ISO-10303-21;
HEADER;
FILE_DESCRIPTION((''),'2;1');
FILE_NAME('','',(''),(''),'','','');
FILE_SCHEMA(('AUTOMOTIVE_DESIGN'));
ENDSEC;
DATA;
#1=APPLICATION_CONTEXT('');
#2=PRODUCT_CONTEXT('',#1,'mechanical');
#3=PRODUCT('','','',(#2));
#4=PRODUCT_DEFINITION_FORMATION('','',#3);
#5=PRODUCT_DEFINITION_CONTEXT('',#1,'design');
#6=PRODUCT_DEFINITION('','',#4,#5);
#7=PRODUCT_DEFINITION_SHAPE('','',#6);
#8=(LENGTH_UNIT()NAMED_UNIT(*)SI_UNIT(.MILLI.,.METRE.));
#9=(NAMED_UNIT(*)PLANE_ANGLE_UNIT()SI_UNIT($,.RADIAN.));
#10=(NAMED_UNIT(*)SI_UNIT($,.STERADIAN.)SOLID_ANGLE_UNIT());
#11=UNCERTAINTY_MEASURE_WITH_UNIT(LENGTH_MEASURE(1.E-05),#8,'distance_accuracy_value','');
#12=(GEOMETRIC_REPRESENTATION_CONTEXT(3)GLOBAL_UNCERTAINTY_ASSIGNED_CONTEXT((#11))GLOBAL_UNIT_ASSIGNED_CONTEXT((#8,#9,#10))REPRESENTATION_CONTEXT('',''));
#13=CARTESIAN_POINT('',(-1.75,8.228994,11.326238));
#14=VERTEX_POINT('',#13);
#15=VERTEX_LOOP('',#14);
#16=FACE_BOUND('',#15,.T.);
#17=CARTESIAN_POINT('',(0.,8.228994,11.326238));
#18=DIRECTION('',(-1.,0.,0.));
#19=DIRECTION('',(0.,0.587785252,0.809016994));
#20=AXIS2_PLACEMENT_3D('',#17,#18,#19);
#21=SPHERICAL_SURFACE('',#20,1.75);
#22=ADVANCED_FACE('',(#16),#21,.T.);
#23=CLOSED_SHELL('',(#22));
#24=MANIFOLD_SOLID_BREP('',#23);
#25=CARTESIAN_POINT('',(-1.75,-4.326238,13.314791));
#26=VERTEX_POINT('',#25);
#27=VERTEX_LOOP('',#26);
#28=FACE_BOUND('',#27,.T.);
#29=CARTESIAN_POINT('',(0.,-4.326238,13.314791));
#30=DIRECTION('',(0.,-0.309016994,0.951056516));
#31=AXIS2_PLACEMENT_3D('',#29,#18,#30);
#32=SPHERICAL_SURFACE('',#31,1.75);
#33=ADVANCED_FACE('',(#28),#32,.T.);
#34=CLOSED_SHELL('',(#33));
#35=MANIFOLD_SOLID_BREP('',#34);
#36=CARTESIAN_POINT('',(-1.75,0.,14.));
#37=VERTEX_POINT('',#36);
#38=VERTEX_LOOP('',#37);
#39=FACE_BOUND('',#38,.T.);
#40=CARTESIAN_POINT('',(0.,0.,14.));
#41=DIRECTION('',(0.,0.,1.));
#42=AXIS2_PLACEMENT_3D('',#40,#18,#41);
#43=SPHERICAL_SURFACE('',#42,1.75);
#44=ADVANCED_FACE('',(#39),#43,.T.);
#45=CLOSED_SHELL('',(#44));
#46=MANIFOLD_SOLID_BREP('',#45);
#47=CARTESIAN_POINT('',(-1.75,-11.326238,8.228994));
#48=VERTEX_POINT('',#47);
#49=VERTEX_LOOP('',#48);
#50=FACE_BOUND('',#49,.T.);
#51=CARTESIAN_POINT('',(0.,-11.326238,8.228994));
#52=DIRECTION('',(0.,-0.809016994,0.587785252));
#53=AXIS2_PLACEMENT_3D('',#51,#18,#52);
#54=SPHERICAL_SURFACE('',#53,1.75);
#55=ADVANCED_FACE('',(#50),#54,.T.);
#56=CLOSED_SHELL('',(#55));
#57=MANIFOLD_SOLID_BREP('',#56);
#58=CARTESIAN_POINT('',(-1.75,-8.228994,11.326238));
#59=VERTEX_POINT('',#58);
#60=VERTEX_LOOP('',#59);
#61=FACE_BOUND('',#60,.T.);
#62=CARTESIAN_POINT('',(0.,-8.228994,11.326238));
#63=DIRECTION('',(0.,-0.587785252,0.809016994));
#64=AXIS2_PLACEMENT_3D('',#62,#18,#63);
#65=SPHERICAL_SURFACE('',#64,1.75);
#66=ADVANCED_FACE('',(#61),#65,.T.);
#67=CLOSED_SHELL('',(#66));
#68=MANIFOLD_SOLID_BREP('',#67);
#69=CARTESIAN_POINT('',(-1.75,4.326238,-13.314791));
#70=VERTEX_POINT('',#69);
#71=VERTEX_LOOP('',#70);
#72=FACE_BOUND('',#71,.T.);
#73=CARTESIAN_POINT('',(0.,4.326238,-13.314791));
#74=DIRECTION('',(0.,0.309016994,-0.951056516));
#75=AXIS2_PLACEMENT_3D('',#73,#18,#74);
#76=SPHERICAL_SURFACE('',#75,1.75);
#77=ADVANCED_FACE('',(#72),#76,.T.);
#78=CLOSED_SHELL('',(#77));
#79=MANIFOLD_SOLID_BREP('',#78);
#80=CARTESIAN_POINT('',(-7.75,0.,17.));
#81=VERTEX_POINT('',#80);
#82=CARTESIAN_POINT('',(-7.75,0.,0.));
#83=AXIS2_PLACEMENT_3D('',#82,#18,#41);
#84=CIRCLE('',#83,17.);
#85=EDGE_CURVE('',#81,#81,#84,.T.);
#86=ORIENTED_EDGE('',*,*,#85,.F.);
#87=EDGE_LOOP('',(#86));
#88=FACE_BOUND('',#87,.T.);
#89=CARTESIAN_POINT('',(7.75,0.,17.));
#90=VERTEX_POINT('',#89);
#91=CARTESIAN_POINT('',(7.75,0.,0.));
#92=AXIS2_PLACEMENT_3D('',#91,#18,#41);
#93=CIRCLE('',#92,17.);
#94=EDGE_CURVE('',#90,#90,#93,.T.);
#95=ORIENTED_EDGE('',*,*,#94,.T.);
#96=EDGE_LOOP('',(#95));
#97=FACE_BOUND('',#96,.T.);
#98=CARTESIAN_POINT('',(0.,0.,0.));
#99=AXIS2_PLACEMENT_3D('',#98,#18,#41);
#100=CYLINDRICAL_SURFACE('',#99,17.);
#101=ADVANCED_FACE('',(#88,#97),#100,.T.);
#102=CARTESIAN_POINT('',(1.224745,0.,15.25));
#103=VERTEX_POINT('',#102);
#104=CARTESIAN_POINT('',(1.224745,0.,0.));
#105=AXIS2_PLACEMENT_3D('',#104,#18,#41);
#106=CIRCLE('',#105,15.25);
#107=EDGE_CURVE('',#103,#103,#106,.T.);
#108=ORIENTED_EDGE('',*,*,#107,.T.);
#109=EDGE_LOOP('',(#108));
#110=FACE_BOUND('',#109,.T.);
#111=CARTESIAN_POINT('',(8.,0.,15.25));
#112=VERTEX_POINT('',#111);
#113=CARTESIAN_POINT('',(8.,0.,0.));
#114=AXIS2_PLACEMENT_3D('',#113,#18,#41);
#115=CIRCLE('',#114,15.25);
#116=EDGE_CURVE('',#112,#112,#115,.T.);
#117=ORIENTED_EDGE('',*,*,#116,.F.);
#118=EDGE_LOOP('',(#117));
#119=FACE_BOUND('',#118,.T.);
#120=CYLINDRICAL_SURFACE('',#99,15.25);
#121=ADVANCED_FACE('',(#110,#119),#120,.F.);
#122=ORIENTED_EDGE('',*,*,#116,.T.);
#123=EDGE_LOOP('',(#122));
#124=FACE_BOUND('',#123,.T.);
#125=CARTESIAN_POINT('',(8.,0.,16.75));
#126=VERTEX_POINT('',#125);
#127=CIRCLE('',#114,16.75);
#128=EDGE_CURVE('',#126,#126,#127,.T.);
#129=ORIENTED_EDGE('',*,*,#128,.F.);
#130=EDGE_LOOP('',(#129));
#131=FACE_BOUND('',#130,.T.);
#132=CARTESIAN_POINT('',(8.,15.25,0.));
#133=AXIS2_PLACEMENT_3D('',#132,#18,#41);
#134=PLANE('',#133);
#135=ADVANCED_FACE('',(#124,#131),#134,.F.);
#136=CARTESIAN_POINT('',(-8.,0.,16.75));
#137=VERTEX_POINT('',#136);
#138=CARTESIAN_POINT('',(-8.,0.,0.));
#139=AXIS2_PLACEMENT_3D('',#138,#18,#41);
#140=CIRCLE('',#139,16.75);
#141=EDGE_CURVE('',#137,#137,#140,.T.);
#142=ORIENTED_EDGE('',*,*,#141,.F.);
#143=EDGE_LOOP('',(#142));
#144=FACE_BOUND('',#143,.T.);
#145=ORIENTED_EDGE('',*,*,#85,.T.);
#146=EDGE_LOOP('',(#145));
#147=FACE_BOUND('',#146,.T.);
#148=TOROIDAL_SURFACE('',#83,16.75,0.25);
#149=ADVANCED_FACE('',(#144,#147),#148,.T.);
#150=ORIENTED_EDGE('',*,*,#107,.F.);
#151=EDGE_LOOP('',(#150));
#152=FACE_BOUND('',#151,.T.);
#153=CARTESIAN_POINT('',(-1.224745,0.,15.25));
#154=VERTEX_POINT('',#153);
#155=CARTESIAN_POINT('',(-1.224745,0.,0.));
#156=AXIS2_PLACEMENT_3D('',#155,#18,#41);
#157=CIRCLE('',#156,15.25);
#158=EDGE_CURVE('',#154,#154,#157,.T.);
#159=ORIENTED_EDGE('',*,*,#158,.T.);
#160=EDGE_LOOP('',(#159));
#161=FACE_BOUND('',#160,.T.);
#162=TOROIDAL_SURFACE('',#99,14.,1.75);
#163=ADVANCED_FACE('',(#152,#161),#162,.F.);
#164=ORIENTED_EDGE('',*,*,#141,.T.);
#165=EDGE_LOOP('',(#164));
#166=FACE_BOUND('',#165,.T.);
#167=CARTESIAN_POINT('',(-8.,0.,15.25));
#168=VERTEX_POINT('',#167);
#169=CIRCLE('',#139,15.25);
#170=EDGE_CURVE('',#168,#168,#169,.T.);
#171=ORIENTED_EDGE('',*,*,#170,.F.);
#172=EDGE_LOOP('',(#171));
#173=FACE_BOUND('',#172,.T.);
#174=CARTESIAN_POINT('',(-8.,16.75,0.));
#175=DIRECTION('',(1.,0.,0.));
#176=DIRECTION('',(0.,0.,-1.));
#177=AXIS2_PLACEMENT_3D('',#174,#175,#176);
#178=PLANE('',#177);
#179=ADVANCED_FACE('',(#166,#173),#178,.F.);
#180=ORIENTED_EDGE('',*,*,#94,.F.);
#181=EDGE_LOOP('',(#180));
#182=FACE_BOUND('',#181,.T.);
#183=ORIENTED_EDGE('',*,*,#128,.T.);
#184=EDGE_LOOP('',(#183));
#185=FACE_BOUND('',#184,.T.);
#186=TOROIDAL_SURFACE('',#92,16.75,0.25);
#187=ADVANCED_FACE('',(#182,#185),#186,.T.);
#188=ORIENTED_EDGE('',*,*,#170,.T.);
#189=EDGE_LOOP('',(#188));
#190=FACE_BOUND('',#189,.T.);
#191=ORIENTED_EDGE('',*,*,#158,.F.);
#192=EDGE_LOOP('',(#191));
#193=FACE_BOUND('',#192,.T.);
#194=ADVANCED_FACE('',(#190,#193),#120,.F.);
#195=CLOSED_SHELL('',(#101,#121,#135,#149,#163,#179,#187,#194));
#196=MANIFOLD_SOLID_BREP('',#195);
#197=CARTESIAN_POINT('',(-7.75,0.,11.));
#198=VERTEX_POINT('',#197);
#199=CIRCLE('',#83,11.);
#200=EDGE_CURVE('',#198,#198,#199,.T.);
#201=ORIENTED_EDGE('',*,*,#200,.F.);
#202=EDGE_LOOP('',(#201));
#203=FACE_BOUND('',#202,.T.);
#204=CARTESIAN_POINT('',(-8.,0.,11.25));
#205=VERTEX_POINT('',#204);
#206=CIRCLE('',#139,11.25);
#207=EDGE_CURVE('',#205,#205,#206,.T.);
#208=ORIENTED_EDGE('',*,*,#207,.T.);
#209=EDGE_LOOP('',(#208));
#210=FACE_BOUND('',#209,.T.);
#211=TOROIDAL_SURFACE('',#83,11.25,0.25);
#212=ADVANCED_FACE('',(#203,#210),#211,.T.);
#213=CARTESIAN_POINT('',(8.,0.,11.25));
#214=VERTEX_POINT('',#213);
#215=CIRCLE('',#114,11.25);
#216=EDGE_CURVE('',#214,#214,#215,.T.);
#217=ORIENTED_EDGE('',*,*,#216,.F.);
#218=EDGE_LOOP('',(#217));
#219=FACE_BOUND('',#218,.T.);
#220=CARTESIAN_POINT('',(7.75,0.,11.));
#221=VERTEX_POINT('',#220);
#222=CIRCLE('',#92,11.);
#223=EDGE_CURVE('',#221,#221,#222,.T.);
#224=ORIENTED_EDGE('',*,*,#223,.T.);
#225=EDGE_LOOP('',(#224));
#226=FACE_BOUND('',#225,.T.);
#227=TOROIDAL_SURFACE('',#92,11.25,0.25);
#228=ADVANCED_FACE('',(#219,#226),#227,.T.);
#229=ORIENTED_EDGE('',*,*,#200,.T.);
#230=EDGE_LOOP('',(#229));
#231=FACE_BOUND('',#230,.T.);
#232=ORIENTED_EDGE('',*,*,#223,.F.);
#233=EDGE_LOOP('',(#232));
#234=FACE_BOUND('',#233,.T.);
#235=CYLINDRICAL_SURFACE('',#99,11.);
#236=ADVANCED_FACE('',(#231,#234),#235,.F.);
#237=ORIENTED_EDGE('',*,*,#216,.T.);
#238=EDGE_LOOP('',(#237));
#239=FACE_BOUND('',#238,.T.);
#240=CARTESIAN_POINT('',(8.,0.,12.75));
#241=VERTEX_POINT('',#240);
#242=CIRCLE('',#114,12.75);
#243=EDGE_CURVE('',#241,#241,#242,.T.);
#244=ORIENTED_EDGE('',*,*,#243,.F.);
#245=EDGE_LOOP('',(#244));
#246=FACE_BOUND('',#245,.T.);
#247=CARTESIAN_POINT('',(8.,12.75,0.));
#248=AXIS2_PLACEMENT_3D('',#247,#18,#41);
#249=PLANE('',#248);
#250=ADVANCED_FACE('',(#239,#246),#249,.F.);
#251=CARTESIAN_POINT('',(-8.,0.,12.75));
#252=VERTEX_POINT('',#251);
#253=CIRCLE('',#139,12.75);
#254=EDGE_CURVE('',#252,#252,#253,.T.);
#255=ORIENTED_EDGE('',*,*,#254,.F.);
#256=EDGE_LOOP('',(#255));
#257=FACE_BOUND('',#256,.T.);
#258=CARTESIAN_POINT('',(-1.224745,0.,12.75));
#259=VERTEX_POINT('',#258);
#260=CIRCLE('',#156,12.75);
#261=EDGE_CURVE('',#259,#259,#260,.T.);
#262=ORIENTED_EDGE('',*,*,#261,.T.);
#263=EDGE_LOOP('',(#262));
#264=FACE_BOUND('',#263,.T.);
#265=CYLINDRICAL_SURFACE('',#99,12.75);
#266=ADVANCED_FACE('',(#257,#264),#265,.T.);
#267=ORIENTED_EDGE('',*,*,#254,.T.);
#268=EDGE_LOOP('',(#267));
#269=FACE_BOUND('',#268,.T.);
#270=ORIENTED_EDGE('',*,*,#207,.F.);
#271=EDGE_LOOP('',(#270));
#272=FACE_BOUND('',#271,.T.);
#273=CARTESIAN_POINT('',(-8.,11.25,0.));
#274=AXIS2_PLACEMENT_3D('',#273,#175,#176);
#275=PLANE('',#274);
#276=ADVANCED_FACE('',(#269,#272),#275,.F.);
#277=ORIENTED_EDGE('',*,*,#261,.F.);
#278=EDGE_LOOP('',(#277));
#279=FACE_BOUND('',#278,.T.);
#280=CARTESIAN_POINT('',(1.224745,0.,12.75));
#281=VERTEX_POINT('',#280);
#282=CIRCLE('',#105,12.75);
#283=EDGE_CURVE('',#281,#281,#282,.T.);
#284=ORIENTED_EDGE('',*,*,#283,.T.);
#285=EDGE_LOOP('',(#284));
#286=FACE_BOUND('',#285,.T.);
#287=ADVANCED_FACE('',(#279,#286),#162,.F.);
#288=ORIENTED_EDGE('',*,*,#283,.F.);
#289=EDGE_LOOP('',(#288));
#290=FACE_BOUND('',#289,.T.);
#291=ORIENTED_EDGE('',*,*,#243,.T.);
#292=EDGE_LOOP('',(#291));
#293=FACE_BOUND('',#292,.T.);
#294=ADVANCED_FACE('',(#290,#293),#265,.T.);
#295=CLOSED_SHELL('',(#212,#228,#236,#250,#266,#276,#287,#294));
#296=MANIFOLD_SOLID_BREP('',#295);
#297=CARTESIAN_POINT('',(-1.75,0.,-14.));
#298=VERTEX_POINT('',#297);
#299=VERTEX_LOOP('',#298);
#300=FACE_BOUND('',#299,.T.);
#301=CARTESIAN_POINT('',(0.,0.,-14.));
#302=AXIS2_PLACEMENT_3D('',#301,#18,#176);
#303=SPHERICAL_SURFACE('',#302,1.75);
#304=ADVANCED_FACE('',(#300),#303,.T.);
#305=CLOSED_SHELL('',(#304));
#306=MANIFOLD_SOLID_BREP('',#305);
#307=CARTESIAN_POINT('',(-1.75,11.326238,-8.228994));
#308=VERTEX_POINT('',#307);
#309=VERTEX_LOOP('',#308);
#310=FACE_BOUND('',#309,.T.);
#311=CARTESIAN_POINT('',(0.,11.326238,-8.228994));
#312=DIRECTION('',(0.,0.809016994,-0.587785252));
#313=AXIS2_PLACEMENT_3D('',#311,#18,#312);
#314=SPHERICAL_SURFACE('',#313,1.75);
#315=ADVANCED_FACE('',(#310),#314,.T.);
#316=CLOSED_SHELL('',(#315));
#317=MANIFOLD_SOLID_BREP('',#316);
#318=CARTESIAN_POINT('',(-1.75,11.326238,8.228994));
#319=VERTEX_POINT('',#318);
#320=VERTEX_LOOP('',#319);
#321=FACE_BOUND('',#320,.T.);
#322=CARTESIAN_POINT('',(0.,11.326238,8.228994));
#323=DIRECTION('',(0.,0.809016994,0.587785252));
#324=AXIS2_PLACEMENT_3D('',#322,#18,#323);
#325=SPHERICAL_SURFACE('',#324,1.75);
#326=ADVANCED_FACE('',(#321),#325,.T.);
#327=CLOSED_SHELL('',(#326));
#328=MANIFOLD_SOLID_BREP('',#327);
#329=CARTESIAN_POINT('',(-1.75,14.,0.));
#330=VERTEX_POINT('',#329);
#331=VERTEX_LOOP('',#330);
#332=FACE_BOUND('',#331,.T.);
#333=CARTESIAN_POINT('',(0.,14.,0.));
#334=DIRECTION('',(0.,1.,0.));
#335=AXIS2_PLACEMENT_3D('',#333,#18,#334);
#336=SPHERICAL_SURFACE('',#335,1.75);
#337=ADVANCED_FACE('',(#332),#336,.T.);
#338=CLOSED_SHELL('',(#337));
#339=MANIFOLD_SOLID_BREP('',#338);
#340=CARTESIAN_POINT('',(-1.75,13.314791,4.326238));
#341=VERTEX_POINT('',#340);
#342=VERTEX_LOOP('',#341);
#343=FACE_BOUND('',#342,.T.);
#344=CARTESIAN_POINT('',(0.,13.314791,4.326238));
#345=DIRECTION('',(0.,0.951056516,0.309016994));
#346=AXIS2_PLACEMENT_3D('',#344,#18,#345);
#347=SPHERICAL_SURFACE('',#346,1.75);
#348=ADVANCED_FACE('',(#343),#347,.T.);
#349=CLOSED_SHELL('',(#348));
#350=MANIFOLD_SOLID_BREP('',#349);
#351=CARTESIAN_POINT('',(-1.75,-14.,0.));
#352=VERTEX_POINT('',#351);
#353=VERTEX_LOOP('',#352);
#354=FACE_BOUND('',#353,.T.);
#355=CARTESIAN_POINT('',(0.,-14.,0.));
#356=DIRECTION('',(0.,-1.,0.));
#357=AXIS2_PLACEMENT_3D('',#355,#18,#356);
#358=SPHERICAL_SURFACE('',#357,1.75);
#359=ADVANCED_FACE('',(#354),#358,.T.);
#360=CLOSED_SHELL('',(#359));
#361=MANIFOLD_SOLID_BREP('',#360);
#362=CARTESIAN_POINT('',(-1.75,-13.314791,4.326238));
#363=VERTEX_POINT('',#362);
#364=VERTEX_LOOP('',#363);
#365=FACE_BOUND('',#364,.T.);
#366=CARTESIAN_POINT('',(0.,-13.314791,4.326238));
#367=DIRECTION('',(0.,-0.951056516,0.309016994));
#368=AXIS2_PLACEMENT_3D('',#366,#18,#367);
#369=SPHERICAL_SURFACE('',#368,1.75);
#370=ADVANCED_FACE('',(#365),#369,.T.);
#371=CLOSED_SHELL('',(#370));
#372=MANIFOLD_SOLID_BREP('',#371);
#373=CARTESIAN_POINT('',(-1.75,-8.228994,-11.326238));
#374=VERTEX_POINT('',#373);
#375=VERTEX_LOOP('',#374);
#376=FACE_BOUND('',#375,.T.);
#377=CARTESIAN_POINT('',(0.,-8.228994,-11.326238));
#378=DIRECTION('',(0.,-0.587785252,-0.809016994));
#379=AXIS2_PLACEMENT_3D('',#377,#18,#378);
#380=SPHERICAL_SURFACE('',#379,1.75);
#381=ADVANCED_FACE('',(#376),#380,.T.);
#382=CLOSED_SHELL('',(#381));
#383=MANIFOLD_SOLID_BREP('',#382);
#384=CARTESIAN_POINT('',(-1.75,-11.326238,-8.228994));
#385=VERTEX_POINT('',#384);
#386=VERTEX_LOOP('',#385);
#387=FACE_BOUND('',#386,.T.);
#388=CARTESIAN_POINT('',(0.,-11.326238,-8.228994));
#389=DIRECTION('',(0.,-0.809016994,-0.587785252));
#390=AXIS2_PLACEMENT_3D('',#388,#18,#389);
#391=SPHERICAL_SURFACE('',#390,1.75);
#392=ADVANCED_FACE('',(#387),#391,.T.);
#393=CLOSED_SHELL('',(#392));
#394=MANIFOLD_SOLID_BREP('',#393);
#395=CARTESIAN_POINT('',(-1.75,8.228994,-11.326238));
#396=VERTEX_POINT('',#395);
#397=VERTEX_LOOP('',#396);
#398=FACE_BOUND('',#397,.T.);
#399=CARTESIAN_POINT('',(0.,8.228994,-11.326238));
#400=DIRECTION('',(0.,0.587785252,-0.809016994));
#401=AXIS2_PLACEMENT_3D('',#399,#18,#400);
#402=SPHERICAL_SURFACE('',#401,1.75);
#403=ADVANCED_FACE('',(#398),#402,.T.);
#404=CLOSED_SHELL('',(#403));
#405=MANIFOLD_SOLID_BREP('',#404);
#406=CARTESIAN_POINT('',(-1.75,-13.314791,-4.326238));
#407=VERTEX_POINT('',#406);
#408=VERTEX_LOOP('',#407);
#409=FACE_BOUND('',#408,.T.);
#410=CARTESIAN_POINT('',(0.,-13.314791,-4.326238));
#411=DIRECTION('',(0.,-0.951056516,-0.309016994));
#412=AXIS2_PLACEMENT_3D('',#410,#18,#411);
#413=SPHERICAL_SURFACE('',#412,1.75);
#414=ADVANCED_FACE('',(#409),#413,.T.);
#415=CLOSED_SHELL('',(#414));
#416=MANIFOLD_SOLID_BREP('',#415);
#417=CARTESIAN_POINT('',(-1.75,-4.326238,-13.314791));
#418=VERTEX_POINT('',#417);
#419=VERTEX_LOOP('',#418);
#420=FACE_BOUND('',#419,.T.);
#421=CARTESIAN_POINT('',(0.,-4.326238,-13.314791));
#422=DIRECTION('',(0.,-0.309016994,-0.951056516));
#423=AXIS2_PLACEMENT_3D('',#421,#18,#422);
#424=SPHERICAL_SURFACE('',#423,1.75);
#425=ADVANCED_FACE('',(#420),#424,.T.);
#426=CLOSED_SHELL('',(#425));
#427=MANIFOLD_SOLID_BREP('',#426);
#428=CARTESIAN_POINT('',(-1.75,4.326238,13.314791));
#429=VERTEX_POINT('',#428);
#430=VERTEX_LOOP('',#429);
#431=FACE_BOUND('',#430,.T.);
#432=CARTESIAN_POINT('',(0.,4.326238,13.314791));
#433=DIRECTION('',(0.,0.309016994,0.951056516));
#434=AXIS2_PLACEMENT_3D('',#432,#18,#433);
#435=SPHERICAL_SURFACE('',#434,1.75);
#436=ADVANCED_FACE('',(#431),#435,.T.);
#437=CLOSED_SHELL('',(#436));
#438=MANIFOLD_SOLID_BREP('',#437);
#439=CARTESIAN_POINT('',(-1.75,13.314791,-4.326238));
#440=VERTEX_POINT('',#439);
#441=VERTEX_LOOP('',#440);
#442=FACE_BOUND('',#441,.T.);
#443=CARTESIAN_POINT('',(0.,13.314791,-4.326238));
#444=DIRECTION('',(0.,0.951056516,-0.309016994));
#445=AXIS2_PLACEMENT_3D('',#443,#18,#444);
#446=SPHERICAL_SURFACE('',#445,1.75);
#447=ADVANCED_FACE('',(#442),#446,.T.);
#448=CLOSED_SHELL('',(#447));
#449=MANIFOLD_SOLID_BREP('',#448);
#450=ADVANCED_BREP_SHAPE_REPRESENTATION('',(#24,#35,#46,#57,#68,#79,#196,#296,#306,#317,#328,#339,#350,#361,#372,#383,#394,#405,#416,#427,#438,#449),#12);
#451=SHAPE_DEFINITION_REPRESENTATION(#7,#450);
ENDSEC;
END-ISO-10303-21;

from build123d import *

# Parameters (mm, degrees)
CIRPATTERN1_COUNT = 20


with BuildPart() as part:
    # Sketch2 → Revolve1 (revolve)
    with BuildSketch(Plane.XY, mode=Mode.PRIVATE) as revolve1_sk:
        with BuildLine():
            Line((-7.75, 17), (7.75, 17))
            ThreePointArc((7.75, 17), (7.926776695, 16.926776695), (8, 16.75))
            Line((8, 16.75), (8, 15.25))
            Line((8, 15.25), (1.224744871, 15.25))
            ThreePointArc((1.224744871, 15.25), (0, 15.75), (-1.224744871, 15.25))
            Line((-1.224744871, 15.25), (-8, 15.25))
            Line((-8, 15.25), (-8, 16.75))
            ThreePointArc((-8, 16.75), (-7.926776695, 16.926776695), (-7.75, 17))
        make_face()
        with BuildLine():
            Line((8, 12.75), (8, 11.25))
            ThreePointArc((8, 11.25), (7.926776695, 11.073223305), (7.75, 11))
            Line((7.75, 11), (-7.75, 11))
            ThreePointArc((-7.75, 11), (-7.926776695, 11.073223305), (-8, 11.25))
            Line((-8, 11.25), (-8, 12.75))
            Line((-8, 12.75), (-1.224744871, 12.75))
            ThreePointArc((-1.224744871, 12.75), (0, 12.25), (1.224744871, 12.75))
            Line((1.224744871, 12.75), (8, 12.75))
        make_face()
    revolve(revolve1_sk.sketch.rotate(Axis((0, 0, 0), (1, 0, 0)), 90), axis=Axis((0, 0, 0), (1, 0, 0)))


with BuildPart() as body_2:
    # Sketch3 → Revolve2 (revolve)
    with BuildSketch(Plane.XY):
        with BuildLine():
            Line((-1.75, 14), (1.75, 14))
            ThreePointArc((1.75, 14), (0, 12.25), (-1.75, 14))
        make_face()
    revolve(axis=Axis((-1.75, 14, 0), (1, 0, 0)))


with BuildPart() as cirpattern1_1:
    # CirPattern1: pattern copy
    add(body_2.part.rotate(Axis((0, 0, 0), (1, 0, 0)), 1 * 360 / CIRPATTERN1_COUNT))


with BuildPart() as cirpattern1_2:
    # CirPattern1: pattern copy
    add(body_2.part.rotate(Axis((0, 0, 0), (1, 0, 0)), 2 * 360 / CIRPATTERN1_COUNT))


with BuildPart() as cirpattern1_3:
    # CirPattern1: pattern copy
    add(body_2.part.rotate(Axis((0, 0, 0), (1, 0, 0)), 3 * 360 / CIRPATTERN1_COUNT))


with BuildPart() as cirpattern1_4:
    # CirPattern1: pattern copy
    add(body_2.part.rotate(Axis((0, 0, 0), (1, 0, 0)), 4 * 360 / CIRPATTERN1_COUNT))


with BuildPart() as cirpattern1_5:
    # CirPattern1: pattern copy
    add(body_2.part.rotate(Axis((0, 0, 0), (1, 0, 0)), 5 * 360 / CIRPATTERN1_COUNT))


with BuildPart() as cirpattern1_6:
    # CirPattern1: pattern copy
    add(body_2.part.rotate(Axis((0, 0, 0), (1, 0, 0)), 6 * 360 / CIRPATTERN1_COUNT))


with BuildPart() as cirpattern1_7:
    # CirPattern1: pattern copy
    add(body_2.part.rotate(Axis((0, 0, 0), (1, 0, 0)), 7 * 360 / CIRPATTERN1_COUNT))


with BuildPart() as cirpattern1_8:
    # CirPattern1: pattern copy
    add(body_2.part.rotate(Axis((0, 0, 0), (1, 0, 0)), 8 * 360 / CIRPATTERN1_COUNT))


with BuildPart() as cirpattern1_9:
    # CirPattern1: pattern copy
    add(body_2.part.rotate(Axis((0, 0, 0), (1, 0, 0)), 9 * 360 / CIRPATTERN1_COUNT))


with BuildPart() as cirpattern1_10:
    # CirPattern1: pattern copy
    add(body_2.part.rotate(Axis((0, 0, 0), (1, 0, 0)), 10 * 360 / CIRPATTERN1_COUNT))


with BuildPart() as cirpattern1_11:
    # CirPattern1: pattern copy
    add(body_2.part.rotate(Axis((0, 0, 0), (1, 0, 0)), 11 * 360 / CIRPATTERN1_COUNT))


with BuildPart() as cirpattern1_12:
    # CirPattern1: pattern copy
    add(body_2.part.rotate(Axis((0, 0, 0), (1, 0, 0)), 12 * 360 / CIRPATTERN1_COUNT))


with BuildPart() as cirpattern1_13:
    # CirPattern1: pattern copy
    add(body_2.part.rotate(Axis((0, 0, 0), (1, 0, 0)), 13 * 360 / CIRPATTERN1_COUNT))


with BuildPart() as cirpattern1_14:
    # CirPattern1: pattern copy
    add(body_2.part.rotate(Axis((0, 0, 0), (1, 0, 0)), 14 * 360 / CIRPATTERN1_COUNT))


with BuildPart() as cirpattern1_15:
    # CirPattern1: pattern copy
    add(body_2.part.rotate(Axis((0, 0, 0), (1, 0, 0)), 15 * 360 / CIRPATTERN1_COUNT))


with BuildPart() as cirpattern1_16:
    # CirPattern1: pattern copy
    add(body_2.part.rotate(Axis((0, 0, 0), (1, 0, 0)), 16 * 360 / CIRPATTERN1_COUNT))


with BuildPart() as cirpattern1_17:
    # CirPattern1: pattern copy
    add(body_2.part.rotate(Axis((0, 0, 0), (1, 0, 0)), 17 * 360 / CIRPATTERN1_COUNT))


with BuildPart() as cirpattern1_18:
    # CirPattern1: pattern copy
    add(body_2.part.rotate(Axis((0, 0, 0), (1, 0, 0)), 18 * 360 / CIRPATTERN1_COUNT))


with BuildPart() as cirpattern1_19:
    # CirPattern1: pattern copy
    add(body_2.part.rotate(Axis((0, 0, 0), (1, 0, 0)), 19 * 360 / CIRPATTERN1_COUNT))


solid = Compound([part.part, body_2.part, cirpattern1_1.part, cirpattern1_2.part, cirpattern1_3.part, cirpattern1_4.part, cirpattern1_5.part, cirpattern1_6.part, cirpattern1_7.part, cirpattern1_8.part, cirpattern1_9.part, cirpattern1_10.part, cirpattern1_11.part, cirpattern1_12.part, cirpattern1_13.part, cirpattern1_14.part, cirpattern1_15.part, cirpattern1_16.part, cirpattern1_17.part, cirpattern1_18.part, cirpattern1_19.part])
